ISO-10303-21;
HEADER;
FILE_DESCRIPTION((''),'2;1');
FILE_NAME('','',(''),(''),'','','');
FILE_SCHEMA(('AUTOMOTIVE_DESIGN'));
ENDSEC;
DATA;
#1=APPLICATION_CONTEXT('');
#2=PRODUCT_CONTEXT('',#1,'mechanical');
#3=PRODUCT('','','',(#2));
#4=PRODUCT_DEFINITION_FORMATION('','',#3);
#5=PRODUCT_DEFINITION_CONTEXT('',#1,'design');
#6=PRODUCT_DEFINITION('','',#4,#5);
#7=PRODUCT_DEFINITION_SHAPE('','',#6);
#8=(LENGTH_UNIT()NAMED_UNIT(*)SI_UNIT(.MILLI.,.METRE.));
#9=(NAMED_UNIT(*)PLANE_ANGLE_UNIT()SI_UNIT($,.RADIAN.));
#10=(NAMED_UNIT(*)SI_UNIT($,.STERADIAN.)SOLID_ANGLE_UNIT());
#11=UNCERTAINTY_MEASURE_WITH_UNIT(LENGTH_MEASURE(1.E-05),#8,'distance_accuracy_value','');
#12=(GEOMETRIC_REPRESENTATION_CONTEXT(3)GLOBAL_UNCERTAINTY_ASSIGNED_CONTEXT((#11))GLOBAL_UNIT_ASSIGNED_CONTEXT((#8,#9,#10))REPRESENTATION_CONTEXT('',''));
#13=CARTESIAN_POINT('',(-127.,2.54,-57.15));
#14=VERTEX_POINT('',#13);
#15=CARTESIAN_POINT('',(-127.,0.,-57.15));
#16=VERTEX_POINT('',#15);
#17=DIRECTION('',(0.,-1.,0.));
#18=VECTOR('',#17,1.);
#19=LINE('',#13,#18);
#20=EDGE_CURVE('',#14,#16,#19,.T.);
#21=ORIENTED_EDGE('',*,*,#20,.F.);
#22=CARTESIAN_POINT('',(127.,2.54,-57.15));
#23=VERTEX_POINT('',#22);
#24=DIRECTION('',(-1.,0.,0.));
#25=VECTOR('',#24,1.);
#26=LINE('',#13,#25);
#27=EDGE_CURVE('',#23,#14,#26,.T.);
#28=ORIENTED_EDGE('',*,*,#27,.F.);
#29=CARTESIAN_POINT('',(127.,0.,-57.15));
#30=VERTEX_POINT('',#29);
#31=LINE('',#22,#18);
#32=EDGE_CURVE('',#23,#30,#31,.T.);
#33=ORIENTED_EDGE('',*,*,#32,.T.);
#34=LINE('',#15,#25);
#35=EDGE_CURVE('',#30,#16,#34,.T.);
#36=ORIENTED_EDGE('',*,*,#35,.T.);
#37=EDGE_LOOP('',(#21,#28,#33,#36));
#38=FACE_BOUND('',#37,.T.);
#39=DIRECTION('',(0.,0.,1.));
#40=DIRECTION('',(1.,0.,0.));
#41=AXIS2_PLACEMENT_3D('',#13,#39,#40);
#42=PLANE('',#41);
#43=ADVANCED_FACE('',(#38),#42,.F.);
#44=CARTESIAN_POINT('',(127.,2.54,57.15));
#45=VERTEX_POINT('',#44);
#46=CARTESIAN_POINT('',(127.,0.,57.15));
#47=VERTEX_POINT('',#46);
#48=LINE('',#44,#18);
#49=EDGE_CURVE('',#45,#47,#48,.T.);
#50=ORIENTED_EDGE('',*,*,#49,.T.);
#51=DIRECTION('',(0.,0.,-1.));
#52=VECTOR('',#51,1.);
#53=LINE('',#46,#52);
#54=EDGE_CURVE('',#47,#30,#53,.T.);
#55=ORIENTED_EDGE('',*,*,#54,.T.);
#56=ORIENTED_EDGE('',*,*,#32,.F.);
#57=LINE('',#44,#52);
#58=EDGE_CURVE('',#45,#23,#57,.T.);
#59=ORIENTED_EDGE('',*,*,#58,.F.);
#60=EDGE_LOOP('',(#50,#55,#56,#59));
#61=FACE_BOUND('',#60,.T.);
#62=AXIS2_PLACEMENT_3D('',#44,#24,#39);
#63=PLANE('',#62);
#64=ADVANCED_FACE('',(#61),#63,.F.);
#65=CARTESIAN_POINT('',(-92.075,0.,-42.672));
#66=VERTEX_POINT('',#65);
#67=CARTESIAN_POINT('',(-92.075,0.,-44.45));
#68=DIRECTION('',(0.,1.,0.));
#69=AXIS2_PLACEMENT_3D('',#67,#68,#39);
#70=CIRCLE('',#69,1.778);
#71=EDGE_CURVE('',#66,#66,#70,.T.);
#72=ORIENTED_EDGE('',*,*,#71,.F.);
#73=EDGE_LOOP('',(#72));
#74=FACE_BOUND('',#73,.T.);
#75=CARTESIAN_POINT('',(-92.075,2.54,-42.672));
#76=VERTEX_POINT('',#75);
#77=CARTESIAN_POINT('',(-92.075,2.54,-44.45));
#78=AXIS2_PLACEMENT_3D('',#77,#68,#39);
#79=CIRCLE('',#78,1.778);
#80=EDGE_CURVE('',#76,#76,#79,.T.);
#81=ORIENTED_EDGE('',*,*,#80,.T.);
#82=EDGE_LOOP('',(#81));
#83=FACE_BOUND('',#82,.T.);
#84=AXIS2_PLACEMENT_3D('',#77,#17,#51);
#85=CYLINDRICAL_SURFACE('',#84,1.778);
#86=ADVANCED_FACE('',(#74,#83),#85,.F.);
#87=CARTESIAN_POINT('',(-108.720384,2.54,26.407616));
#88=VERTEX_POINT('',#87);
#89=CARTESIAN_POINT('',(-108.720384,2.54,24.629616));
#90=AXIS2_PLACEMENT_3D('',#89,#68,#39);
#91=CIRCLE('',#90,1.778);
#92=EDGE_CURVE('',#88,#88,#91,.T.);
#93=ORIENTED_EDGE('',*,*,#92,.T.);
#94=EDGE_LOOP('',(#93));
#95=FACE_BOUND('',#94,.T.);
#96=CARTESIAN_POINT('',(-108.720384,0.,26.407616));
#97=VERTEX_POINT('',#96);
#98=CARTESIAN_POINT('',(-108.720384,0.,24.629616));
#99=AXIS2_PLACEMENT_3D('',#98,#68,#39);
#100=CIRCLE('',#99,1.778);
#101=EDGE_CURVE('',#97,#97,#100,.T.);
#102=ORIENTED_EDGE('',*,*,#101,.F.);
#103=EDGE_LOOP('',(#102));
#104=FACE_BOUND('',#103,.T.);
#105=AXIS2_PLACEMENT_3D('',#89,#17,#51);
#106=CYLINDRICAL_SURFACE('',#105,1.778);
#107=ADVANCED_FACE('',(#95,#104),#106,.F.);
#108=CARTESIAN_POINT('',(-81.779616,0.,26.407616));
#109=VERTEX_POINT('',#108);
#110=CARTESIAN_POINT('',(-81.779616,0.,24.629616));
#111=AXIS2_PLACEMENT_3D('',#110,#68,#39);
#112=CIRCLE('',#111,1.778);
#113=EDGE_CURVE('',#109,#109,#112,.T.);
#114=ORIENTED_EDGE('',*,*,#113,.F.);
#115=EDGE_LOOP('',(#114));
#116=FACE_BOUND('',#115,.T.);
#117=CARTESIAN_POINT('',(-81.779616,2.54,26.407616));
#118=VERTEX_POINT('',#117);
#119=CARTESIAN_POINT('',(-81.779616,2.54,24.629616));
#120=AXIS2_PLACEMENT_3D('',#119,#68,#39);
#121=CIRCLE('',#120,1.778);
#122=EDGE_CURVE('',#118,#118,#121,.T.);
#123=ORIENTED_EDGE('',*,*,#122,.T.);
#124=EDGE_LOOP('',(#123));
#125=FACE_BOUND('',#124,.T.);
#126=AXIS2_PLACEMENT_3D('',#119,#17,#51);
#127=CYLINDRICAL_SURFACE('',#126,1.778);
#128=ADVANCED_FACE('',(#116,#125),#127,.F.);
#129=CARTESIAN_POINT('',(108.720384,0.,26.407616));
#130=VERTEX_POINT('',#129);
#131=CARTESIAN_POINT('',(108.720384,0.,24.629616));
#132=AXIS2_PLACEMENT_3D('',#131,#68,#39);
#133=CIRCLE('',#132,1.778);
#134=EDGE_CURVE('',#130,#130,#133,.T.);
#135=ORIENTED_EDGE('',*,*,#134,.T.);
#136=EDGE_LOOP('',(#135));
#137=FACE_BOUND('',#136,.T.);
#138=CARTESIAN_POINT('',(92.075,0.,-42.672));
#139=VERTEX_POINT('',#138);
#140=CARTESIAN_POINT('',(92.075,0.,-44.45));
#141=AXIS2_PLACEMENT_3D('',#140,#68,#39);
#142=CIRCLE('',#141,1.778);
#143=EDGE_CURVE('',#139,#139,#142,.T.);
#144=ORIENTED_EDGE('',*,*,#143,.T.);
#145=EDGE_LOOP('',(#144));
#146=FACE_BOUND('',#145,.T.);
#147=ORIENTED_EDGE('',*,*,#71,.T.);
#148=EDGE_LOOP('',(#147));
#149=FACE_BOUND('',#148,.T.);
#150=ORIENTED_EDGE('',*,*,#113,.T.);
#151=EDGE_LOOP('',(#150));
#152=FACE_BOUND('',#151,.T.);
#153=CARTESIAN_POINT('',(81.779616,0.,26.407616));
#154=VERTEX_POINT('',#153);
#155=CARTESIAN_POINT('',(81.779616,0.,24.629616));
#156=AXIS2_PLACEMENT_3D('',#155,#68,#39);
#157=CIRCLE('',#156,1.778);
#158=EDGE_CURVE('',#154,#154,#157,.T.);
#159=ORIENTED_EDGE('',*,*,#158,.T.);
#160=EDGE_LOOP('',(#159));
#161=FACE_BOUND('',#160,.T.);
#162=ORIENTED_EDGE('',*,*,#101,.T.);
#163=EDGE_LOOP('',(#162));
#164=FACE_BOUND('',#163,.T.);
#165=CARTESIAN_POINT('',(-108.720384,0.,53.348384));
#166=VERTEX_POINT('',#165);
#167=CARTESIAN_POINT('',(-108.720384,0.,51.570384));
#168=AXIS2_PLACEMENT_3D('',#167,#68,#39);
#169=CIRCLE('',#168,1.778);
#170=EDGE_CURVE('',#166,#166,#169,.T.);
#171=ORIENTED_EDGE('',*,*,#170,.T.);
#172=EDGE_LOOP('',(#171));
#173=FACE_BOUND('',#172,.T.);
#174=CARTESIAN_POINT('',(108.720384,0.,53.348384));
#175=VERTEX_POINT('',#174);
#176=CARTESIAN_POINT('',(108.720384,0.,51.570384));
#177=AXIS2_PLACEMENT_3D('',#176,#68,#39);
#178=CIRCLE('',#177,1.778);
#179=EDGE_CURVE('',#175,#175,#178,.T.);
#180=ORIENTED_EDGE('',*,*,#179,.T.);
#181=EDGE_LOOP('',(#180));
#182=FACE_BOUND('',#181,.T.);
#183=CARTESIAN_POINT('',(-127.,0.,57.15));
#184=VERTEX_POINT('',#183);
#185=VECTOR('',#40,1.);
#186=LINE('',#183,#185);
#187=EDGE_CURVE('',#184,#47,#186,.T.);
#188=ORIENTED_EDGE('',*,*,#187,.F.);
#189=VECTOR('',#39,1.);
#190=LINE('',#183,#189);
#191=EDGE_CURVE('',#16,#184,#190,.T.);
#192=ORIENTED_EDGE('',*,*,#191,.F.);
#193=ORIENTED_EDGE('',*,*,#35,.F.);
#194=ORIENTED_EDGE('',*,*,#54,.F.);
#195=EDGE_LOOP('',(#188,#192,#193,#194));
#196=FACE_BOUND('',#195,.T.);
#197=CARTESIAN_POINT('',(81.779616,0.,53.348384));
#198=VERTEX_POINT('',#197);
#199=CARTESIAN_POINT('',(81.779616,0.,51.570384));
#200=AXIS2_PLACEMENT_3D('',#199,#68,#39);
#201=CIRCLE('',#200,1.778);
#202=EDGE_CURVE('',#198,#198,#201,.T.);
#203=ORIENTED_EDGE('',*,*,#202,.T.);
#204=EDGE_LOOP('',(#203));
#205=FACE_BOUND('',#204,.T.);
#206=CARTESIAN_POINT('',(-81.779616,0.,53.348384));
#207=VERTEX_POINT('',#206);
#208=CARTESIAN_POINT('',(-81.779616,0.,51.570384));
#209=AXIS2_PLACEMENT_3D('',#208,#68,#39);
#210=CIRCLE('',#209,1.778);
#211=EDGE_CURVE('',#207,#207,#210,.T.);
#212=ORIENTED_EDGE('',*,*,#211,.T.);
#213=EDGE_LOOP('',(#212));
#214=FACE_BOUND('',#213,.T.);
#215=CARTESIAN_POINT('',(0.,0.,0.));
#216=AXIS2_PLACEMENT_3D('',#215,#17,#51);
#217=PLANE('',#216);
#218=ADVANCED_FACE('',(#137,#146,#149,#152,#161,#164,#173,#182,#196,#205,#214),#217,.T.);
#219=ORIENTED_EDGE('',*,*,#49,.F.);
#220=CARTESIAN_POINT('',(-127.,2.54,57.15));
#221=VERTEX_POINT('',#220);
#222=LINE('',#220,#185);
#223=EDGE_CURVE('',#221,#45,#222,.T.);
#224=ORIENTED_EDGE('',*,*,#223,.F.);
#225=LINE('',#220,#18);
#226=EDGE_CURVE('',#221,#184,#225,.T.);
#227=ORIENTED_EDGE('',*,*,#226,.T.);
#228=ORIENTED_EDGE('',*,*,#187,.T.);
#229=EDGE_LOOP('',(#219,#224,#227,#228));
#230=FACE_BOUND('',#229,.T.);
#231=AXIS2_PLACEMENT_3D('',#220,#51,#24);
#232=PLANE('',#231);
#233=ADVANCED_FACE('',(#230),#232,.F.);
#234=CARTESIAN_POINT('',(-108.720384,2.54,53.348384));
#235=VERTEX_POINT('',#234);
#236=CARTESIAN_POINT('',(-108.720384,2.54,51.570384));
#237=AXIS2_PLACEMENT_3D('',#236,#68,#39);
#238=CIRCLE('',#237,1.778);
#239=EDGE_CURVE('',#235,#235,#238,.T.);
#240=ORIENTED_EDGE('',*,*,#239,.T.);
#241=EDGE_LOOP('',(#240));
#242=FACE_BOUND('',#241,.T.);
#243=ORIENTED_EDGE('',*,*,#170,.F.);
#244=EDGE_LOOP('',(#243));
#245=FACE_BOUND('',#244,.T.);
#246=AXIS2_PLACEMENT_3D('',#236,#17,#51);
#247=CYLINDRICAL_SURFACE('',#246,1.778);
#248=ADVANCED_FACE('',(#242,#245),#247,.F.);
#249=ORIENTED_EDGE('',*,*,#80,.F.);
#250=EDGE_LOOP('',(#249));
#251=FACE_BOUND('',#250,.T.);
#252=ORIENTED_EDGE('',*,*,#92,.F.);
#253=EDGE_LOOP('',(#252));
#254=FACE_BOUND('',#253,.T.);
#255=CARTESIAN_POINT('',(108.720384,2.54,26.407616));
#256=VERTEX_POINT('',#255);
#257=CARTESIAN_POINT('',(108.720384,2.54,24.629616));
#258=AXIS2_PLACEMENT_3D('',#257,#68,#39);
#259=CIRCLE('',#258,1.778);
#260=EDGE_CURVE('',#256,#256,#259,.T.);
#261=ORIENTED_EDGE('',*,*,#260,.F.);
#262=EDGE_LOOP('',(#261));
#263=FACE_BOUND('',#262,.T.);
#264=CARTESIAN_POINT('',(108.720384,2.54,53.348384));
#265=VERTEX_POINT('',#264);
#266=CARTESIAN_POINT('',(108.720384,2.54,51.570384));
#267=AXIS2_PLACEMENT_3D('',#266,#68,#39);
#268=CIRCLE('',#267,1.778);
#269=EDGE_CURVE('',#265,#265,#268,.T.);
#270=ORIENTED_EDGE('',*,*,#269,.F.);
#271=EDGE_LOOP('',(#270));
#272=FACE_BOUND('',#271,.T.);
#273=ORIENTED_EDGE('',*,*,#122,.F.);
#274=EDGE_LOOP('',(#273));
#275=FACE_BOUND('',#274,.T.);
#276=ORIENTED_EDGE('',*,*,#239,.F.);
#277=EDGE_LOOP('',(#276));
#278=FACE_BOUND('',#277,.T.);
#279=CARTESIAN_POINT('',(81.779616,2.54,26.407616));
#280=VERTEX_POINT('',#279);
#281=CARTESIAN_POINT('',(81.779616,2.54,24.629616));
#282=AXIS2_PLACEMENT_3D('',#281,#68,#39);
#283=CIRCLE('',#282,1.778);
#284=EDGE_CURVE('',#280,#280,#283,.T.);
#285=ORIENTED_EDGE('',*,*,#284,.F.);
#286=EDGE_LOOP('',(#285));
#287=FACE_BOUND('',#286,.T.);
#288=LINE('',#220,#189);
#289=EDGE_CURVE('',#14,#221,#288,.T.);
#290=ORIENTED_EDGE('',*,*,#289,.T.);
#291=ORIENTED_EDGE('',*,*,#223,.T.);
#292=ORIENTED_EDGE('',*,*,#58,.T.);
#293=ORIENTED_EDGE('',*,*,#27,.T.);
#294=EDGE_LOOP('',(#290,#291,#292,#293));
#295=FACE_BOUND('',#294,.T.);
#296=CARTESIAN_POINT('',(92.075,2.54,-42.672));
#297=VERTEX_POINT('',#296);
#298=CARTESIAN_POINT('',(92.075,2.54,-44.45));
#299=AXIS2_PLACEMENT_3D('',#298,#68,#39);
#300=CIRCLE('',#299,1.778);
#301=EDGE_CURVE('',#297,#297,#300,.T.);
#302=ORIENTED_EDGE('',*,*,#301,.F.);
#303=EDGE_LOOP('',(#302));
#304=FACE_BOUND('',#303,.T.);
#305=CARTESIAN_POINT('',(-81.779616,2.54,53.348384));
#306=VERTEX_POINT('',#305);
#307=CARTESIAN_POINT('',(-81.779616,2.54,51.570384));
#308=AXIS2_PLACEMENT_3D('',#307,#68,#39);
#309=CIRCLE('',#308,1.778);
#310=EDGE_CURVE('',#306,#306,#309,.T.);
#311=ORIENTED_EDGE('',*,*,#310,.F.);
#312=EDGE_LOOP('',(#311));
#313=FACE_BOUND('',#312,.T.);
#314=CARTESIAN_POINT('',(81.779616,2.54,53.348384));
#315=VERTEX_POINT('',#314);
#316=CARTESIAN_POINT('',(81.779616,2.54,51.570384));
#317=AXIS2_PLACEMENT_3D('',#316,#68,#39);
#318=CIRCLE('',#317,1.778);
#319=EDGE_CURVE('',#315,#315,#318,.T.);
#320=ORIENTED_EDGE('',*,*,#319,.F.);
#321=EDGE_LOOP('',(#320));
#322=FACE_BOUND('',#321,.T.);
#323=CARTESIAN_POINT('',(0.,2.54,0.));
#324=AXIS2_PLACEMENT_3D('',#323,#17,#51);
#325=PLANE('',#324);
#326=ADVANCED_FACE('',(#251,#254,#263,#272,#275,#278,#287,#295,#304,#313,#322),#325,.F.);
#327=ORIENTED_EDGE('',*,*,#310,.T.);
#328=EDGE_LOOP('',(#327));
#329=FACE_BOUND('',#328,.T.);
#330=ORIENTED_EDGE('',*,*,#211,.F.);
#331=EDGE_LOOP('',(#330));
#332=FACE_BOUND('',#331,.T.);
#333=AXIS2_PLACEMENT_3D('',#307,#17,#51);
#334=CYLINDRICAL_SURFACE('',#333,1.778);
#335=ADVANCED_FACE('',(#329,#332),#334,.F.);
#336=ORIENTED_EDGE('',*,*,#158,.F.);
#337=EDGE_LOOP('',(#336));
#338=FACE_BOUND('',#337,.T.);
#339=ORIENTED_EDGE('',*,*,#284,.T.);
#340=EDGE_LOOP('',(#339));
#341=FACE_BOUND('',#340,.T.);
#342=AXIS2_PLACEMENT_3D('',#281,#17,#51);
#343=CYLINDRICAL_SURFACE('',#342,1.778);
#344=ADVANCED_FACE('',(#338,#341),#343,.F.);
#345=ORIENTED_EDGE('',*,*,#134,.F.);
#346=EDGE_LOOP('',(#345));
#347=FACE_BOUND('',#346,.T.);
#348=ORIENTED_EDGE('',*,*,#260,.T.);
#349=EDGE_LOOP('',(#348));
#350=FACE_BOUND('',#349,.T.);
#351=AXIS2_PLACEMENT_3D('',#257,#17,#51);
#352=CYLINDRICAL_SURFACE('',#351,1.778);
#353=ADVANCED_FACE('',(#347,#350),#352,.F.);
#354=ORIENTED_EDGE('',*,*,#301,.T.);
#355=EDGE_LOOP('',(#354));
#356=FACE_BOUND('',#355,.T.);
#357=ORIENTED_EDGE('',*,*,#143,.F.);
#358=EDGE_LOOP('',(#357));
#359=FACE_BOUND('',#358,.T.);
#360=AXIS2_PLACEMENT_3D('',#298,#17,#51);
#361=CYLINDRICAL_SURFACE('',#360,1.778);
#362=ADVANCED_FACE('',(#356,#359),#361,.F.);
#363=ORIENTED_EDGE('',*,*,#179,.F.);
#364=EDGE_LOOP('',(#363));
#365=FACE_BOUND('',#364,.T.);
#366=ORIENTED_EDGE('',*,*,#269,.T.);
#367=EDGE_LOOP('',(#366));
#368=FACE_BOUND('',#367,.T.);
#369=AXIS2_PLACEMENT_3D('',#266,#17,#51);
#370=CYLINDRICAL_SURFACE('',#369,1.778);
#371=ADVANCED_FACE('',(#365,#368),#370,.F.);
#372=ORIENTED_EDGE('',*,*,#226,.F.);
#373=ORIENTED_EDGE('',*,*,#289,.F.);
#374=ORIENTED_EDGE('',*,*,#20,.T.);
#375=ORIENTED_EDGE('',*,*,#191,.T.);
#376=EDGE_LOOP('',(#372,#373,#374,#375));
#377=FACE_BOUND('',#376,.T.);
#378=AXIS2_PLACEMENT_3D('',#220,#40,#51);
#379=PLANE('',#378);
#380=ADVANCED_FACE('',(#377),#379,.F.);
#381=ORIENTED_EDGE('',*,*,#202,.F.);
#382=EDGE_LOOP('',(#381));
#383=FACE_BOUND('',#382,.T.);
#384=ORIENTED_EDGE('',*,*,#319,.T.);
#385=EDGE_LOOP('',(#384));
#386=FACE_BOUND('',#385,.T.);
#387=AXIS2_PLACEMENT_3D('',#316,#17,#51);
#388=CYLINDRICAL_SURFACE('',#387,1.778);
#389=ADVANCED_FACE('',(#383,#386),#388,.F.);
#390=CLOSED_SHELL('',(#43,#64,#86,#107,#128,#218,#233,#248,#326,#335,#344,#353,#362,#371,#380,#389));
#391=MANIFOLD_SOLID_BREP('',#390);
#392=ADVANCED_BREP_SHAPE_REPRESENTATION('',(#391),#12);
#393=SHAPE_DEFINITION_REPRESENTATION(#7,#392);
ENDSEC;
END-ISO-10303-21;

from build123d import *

# Parameters (mm, degrees)
SKETCH2_W           = 254
SKETCH2_H           = 114.3
SKETCH2_R           = 1.778
BOSS_EXTRUDE1_DEPTH = 2.54


with BuildPart() as part:
    # Sketch2 → Boss-Extrude1 (new body)
    with BuildSketch(Plane(origin=(0, 0, 0), x_dir=(1, 0, 0), z_dir=(0, 1, 0))):
        Rectangle(SKETCH2_W, SKETCH2_H)
        with Locations(Location((-108.720384182, -24.629615818, 0), (0, 0, 270))):
            Circle(SKETCH2_R, mode=Mode.SUBTRACT)
        with Locations(Location((-81.779615818, -24.629615818, 0), (0, 0, 270))):
            Circle(SKETCH2_R, mode=Mode.SUBTRACT)
        with Locations(Location((-108.720384182, -51.570384182, 0), (0, 0, 270))):
            Circle(SKETCH2_R, mode=Mode.SUBTRACT)
        with Locations(Location((108.720384182, -24.629615818, 0), (0, 0, 270))):
            Circle(SKETCH2_R, mode=Mode.SUBTRACT)
        with Locations(Location((81.779615818, -24.629615818, 0), (0, 0, 270))):
            Circle(SKETCH2_R, mode=Mode.SUBTRACT)
        with Locations(Location((108.720384182, -51.570384182, 0), (0, 0, 270))):
            Circle(SKETCH2_R, mode=Mode.SUBTRACT)
        with Locations(Location((81.779615818, -51.570384182, 0), (0, 0, 270))):
            Circle(SKETCH2_R, mode=Mode.SUBTRACT)
        with Locations(Location((-81.779615818, -51.570384182, 0), (0, 0, 270))):
            Circle(SKETCH2_R, mode=Mode.SUBTRACT)
        with Locations(Location((-92.075, 44.45, 0), (0, 0, 270))):
            Circle(SKETCH2_R, mode=Mode.SUBTRACT)
        with Locations(Location((92.075, 44.45, 0), (0, 0, 270))):
            Circle(SKETCH2_R, mode=Mode.SUBTRACT)
    extrude(amount=BOSS_EXTRUDE1_DEPTH)


solid = part.part
